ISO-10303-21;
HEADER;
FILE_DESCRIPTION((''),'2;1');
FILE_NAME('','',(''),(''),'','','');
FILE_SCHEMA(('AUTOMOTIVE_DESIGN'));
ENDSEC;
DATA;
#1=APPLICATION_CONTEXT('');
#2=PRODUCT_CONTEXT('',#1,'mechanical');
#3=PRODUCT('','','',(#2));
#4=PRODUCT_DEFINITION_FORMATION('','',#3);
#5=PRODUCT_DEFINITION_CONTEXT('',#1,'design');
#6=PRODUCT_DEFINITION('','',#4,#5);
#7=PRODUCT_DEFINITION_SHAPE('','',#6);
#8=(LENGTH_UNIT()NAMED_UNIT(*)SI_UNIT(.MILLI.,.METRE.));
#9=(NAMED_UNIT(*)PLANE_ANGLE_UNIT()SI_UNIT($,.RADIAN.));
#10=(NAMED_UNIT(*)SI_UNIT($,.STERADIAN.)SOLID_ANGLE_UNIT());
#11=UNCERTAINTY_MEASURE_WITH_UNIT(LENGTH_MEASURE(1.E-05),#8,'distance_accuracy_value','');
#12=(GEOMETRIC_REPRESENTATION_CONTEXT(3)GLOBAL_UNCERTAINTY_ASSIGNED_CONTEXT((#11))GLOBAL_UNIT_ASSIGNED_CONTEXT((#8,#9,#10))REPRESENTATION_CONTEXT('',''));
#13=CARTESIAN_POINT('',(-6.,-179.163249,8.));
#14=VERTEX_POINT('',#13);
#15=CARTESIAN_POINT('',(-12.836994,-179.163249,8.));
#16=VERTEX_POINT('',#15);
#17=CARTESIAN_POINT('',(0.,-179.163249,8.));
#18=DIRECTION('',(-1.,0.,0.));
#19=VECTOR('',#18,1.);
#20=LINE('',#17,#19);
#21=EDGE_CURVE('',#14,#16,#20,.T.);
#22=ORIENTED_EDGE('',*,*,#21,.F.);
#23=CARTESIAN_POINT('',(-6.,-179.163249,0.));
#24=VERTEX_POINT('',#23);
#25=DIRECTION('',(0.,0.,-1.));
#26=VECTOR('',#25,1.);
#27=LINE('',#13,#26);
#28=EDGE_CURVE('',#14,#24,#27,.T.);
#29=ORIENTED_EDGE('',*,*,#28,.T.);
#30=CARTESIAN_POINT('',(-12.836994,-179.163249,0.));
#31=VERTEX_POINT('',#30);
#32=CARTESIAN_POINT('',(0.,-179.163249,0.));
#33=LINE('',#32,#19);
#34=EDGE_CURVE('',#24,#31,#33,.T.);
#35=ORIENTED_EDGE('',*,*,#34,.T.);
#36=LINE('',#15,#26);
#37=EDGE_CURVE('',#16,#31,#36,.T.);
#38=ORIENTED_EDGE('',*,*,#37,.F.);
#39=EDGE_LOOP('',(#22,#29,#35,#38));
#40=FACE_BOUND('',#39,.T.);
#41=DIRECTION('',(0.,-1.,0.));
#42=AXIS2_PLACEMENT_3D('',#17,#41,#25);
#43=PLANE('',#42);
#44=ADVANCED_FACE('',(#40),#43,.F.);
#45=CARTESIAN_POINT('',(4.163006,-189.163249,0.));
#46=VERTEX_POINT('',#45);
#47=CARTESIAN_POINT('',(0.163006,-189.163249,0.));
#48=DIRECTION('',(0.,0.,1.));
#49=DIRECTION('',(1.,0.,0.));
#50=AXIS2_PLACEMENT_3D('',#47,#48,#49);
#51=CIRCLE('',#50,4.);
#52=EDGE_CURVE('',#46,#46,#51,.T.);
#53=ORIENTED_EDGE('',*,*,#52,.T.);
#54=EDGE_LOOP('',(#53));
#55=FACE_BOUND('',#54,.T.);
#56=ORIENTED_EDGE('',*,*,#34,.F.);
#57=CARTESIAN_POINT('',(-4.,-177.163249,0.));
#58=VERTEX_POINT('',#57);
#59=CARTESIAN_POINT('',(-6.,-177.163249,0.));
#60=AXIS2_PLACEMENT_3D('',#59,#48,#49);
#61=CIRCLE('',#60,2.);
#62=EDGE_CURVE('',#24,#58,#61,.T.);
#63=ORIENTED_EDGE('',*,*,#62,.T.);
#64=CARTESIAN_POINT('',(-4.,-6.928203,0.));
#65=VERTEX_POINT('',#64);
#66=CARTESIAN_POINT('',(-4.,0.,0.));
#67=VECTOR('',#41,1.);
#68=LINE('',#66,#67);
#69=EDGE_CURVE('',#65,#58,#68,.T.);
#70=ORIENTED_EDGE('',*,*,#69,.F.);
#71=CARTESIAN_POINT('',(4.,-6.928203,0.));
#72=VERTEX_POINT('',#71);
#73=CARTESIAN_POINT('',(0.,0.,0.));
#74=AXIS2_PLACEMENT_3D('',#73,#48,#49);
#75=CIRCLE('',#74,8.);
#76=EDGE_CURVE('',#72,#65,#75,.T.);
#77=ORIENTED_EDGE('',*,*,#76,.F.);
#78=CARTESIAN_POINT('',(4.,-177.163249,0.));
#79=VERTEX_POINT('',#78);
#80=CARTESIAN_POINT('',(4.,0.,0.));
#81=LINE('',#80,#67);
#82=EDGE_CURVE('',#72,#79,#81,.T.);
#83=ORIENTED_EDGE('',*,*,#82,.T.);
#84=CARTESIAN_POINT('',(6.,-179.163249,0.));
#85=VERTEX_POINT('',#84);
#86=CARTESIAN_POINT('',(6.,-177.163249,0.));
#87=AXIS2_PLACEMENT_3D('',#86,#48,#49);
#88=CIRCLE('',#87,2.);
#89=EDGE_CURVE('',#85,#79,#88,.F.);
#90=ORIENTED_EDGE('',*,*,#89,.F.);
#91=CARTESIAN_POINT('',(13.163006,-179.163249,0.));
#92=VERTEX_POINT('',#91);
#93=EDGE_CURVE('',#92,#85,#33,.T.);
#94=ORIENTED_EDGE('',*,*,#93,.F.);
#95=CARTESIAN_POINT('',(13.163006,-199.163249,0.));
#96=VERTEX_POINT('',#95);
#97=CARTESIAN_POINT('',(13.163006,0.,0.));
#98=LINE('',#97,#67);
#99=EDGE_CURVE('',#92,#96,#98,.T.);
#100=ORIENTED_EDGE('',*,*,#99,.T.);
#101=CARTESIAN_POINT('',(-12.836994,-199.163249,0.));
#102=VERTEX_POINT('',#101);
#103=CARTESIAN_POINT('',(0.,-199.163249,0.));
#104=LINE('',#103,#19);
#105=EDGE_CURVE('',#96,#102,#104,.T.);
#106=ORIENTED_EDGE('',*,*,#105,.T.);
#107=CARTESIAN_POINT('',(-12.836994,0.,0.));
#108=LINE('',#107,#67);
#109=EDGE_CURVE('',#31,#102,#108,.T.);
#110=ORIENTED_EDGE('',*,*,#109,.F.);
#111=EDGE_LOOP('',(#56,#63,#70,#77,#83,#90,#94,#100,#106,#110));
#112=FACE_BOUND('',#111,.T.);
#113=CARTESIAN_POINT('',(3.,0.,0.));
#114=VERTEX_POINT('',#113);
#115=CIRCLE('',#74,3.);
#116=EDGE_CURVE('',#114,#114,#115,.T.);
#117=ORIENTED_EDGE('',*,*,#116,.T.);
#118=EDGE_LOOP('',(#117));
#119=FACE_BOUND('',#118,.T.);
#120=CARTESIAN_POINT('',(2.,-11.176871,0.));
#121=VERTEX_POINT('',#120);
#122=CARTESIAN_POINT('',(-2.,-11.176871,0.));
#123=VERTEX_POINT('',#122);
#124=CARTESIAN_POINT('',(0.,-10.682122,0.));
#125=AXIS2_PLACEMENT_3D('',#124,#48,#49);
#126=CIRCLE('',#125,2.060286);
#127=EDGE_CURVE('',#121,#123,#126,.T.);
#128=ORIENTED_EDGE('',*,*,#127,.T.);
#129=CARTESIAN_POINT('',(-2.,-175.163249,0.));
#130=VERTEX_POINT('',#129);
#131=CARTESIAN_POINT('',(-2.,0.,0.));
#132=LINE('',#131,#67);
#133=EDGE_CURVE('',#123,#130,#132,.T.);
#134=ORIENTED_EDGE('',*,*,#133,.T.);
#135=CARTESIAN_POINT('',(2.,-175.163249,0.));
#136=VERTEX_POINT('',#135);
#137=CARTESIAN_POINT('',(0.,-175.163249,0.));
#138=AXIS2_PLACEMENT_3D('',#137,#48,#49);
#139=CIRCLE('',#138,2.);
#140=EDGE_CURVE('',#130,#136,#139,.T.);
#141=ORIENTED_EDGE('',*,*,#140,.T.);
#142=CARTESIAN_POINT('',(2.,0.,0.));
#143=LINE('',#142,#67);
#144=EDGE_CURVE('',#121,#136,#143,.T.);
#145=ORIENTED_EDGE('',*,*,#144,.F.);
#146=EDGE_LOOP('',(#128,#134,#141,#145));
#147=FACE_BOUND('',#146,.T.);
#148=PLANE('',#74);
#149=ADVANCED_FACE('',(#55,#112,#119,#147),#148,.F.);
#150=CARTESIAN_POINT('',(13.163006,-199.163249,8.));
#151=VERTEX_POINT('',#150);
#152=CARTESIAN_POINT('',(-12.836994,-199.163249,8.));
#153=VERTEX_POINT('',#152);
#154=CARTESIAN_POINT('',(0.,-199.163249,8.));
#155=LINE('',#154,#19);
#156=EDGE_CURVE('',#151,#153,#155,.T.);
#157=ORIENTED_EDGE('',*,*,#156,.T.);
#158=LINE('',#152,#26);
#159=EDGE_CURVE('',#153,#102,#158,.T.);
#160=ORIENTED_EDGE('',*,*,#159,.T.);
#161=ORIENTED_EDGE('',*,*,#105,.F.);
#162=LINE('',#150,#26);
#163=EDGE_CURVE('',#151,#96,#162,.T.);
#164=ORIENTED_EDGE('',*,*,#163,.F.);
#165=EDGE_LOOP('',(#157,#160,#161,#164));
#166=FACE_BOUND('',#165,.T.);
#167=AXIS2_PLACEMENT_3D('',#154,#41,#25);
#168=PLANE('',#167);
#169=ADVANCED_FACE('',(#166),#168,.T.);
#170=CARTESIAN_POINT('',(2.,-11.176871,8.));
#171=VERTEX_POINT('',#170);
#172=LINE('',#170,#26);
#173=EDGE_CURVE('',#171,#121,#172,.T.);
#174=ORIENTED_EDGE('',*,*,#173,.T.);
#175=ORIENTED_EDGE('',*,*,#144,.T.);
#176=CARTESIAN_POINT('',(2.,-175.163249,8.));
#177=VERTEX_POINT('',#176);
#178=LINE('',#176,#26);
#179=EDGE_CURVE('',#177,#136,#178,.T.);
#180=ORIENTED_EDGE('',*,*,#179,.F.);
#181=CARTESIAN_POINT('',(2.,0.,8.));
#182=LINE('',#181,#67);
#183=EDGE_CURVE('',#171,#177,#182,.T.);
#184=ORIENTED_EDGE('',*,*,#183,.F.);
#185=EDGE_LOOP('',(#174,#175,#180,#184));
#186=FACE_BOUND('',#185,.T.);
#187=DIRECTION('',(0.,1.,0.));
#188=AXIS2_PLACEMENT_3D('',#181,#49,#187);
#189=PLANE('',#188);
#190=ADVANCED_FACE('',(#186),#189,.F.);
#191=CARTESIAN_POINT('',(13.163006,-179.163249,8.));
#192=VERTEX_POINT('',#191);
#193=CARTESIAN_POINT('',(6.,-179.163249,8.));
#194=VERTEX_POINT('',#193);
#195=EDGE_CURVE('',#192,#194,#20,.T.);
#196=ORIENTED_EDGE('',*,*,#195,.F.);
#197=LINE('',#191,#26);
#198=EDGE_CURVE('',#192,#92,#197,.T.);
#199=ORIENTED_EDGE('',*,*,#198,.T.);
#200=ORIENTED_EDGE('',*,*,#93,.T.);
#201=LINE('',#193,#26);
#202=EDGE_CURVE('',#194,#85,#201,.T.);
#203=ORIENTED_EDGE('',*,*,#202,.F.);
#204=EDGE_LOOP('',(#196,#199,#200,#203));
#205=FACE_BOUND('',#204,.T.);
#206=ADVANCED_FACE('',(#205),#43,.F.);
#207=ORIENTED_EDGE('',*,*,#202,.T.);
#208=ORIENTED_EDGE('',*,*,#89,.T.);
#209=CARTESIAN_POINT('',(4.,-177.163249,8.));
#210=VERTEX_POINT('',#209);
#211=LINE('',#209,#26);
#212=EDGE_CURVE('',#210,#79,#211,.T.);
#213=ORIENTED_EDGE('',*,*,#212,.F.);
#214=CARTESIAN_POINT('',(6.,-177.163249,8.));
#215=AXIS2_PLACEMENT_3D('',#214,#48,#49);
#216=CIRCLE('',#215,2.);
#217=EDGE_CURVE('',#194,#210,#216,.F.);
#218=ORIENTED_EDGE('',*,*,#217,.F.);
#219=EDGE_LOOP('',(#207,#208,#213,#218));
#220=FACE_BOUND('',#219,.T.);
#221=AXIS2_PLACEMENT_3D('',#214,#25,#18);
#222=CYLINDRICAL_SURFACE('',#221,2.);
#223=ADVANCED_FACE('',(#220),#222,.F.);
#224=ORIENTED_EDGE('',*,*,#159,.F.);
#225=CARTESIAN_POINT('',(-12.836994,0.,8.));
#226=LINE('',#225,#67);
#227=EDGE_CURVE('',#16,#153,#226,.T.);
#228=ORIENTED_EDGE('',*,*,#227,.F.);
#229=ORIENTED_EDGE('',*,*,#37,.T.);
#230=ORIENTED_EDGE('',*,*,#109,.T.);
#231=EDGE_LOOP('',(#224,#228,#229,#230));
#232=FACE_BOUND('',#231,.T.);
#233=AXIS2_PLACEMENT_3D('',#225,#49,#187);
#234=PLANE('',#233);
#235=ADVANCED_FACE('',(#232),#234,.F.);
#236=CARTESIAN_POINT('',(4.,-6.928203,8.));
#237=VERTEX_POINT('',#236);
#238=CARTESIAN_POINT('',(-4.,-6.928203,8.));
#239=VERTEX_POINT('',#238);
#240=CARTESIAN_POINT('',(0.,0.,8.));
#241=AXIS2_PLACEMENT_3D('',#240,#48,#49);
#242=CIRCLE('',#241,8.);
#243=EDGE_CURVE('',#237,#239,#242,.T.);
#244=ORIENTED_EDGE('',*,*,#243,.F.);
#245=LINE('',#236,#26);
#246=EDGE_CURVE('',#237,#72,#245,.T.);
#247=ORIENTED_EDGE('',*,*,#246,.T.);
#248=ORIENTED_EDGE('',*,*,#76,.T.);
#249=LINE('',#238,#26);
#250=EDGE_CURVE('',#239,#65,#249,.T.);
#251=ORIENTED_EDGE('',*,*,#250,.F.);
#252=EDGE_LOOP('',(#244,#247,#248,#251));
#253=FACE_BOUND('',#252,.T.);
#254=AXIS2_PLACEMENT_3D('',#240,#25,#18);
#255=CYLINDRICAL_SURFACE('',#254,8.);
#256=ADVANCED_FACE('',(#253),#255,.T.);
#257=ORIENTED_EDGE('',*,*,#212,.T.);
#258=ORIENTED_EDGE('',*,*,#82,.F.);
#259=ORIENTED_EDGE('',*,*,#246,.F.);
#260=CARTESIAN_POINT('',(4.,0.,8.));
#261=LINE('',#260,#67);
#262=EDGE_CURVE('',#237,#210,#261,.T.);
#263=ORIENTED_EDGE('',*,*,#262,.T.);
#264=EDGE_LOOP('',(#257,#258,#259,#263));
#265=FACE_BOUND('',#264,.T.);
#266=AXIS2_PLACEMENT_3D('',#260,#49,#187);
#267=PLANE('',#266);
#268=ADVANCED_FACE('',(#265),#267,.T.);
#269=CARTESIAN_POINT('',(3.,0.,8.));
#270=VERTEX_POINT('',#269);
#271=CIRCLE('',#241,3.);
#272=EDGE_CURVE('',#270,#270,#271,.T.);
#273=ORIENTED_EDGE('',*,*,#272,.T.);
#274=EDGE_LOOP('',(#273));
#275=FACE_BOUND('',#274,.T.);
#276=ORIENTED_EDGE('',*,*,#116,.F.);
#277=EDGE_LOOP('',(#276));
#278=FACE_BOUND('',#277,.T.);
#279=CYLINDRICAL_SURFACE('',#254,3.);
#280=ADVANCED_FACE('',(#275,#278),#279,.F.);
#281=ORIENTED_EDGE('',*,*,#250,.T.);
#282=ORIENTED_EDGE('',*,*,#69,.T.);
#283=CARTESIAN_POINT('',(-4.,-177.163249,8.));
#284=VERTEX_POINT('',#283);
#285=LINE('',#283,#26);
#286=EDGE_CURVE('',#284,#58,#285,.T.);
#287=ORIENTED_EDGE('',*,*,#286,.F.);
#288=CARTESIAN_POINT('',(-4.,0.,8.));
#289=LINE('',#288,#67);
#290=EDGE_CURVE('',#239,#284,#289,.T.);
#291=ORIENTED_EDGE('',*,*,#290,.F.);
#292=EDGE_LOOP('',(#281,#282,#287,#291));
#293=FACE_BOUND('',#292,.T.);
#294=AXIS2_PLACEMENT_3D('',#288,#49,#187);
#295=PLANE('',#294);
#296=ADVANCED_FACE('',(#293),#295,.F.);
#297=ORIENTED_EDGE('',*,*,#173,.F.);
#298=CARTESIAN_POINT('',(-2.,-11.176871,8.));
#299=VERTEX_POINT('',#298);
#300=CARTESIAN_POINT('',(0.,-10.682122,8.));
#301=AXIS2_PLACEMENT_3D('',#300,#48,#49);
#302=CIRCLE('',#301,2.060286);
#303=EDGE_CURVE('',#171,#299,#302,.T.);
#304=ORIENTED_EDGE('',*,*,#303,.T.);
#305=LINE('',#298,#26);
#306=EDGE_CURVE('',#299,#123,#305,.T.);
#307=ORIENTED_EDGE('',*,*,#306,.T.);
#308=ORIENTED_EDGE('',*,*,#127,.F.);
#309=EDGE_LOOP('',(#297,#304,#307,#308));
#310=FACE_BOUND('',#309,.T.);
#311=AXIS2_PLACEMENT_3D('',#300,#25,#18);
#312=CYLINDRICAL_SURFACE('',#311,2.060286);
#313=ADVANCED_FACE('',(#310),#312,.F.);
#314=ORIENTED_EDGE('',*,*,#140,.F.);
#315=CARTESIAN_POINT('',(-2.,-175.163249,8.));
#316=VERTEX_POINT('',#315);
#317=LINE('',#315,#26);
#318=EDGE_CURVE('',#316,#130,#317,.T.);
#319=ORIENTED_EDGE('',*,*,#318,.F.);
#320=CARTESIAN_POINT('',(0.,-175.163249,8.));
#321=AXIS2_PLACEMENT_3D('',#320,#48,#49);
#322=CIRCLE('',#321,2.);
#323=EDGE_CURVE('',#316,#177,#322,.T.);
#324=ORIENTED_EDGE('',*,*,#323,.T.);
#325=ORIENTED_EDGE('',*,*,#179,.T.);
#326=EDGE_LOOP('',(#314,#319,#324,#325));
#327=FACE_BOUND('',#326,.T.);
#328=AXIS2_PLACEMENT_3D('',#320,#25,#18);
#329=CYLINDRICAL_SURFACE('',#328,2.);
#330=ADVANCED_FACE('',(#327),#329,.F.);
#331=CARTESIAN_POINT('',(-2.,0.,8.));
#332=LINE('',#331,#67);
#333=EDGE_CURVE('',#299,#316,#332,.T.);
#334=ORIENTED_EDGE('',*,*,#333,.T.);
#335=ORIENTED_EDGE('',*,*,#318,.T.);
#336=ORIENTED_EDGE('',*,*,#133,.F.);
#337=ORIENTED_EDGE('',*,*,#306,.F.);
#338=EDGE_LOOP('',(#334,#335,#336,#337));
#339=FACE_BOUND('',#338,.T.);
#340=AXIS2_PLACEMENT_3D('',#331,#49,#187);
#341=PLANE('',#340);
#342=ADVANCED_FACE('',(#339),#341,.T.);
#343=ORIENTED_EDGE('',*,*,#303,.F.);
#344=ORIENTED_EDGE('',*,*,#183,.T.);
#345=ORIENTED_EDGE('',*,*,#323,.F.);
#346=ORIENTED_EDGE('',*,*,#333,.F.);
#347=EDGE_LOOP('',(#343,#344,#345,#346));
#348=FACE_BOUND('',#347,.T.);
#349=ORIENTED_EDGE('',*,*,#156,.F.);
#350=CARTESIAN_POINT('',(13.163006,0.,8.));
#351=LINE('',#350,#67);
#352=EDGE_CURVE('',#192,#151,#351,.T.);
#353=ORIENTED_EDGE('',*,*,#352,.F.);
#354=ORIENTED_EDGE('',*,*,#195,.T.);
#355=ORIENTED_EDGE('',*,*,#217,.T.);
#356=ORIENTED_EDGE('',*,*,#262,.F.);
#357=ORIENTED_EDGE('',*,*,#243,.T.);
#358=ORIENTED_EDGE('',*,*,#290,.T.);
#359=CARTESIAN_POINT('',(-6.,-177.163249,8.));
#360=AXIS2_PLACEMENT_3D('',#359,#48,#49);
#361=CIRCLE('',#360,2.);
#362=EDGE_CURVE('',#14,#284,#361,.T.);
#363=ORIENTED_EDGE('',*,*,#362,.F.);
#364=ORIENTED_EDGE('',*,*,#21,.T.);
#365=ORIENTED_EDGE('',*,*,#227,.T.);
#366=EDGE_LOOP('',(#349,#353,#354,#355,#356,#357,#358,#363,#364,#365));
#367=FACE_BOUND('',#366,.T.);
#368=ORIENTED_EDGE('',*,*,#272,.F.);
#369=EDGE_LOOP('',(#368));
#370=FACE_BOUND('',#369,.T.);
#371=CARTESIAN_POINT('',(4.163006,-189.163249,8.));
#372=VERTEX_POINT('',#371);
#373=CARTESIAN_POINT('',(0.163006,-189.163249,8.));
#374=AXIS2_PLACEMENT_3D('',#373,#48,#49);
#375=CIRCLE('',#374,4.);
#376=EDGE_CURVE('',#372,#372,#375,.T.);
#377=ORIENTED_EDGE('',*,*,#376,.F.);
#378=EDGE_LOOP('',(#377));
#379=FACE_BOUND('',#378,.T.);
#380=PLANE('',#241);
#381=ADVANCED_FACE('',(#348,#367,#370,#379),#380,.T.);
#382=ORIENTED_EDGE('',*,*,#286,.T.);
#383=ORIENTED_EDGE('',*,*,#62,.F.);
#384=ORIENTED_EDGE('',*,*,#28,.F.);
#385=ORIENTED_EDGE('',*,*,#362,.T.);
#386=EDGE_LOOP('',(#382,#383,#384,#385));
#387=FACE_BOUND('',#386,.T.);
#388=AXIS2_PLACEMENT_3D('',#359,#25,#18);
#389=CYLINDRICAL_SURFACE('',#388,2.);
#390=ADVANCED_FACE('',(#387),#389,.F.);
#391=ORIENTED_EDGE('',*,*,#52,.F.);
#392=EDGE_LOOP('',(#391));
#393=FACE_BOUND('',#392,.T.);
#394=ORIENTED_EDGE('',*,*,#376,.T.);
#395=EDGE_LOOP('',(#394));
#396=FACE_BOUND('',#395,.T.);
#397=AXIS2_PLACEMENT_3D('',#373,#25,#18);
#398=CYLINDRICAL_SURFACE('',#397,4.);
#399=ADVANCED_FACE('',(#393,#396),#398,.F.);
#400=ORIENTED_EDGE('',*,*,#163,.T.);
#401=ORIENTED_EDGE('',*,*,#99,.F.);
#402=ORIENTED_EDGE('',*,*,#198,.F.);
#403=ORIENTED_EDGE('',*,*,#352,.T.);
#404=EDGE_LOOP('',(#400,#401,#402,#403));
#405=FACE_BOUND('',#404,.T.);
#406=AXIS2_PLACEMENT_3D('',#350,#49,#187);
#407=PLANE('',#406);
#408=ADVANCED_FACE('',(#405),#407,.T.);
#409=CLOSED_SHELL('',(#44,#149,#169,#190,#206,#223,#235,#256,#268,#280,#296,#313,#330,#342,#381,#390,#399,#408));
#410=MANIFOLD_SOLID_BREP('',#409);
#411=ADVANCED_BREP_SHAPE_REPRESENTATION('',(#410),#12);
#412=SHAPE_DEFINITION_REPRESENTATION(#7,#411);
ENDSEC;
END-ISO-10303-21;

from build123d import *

# Parameters (mm, degrees)
SKETCH1_R           = 5
SKETCH1_R_2         = 6
SKETCH1_R_3         = 3
SKETCH1_R_4         = 4
BOSS_EXTRUDE1_DEPTH = 8


with BuildPart() as part:
    # Sketch1 → Boss-Extrude1 (new body)
    # profile 1 of 3: a face of its own
    with BuildSketch(Plane.XY):
        with BuildLine():
            Line((13.16300623, -179.16324922), (6, -179.16324922))
            ThreePointArc((6, -179.16324922), (4.585786438, -178.577462783), (4, -177.16324922))
            Line((4, -177.16324922), (4, -6.92820323))
            ThreePointArc((4, -6.92820323), (0, 8), (-4, -6.92820323))
            Line((-4, -6.92820323), (-4, -177.16324922))
            ThreePointArc((-4, -177.16324922), (-4.585786438, -178.577462783), (-6, -179.16324922))
            Line((-6, -179.16324922), (-12.83699377, -179.16324922))
            Line((-12.83699377, -179.16324922), (-12.83699377, -199.16324922))
            Line((-12.83699377, -199.16324922), (13.16300623, -199.16324922))
            Line((13.16300623, -199.16324922), (13.16300623, -179.16324922))
        make_face()
        Circle(SKETCH1_R, mode=Mode.SUBTRACT)
        with Locations((0.16300623, -189.16324922)):
            Circle(SKETCH1_R_2, mode=Mode.SUBTRACT)
        with BuildLine():
            ThreePointArc((-2, -175.16324922), (0, -177.16324922), (2, -175.16324922))
            Line((2, -175.16324922), (2, -11.176871049))
            ThreePointArc((2, -11.176871049), (0, -8.621835967), (-2, -11.176871049))
            Line((-2, -11.176871049), (-2, -175.16324922))
        make_face(mode=Mode.SUBTRACT)
    # profile 2 of 3: a face of its own
    with BuildSketch(Plane.XY):
        Circle(SKETCH1_R)
        Circle(SKETCH1_R_3, mode=Mode.SUBTRACT)
    # profile 3 of 3: a face of its own
    with BuildSketch(Plane.XY):
        with Locations((0.16300623, -189.16324922)):
            Circle(SKETCH1_R_2)
        with Locations((0.16300623, -189.16324922)):
            Circle(SKETCH1_R_4, mode=Mode.SUBTRACT)
    extrude(amount=BOSS_EXTRUDE1_DEPTH)


solid = part.part
